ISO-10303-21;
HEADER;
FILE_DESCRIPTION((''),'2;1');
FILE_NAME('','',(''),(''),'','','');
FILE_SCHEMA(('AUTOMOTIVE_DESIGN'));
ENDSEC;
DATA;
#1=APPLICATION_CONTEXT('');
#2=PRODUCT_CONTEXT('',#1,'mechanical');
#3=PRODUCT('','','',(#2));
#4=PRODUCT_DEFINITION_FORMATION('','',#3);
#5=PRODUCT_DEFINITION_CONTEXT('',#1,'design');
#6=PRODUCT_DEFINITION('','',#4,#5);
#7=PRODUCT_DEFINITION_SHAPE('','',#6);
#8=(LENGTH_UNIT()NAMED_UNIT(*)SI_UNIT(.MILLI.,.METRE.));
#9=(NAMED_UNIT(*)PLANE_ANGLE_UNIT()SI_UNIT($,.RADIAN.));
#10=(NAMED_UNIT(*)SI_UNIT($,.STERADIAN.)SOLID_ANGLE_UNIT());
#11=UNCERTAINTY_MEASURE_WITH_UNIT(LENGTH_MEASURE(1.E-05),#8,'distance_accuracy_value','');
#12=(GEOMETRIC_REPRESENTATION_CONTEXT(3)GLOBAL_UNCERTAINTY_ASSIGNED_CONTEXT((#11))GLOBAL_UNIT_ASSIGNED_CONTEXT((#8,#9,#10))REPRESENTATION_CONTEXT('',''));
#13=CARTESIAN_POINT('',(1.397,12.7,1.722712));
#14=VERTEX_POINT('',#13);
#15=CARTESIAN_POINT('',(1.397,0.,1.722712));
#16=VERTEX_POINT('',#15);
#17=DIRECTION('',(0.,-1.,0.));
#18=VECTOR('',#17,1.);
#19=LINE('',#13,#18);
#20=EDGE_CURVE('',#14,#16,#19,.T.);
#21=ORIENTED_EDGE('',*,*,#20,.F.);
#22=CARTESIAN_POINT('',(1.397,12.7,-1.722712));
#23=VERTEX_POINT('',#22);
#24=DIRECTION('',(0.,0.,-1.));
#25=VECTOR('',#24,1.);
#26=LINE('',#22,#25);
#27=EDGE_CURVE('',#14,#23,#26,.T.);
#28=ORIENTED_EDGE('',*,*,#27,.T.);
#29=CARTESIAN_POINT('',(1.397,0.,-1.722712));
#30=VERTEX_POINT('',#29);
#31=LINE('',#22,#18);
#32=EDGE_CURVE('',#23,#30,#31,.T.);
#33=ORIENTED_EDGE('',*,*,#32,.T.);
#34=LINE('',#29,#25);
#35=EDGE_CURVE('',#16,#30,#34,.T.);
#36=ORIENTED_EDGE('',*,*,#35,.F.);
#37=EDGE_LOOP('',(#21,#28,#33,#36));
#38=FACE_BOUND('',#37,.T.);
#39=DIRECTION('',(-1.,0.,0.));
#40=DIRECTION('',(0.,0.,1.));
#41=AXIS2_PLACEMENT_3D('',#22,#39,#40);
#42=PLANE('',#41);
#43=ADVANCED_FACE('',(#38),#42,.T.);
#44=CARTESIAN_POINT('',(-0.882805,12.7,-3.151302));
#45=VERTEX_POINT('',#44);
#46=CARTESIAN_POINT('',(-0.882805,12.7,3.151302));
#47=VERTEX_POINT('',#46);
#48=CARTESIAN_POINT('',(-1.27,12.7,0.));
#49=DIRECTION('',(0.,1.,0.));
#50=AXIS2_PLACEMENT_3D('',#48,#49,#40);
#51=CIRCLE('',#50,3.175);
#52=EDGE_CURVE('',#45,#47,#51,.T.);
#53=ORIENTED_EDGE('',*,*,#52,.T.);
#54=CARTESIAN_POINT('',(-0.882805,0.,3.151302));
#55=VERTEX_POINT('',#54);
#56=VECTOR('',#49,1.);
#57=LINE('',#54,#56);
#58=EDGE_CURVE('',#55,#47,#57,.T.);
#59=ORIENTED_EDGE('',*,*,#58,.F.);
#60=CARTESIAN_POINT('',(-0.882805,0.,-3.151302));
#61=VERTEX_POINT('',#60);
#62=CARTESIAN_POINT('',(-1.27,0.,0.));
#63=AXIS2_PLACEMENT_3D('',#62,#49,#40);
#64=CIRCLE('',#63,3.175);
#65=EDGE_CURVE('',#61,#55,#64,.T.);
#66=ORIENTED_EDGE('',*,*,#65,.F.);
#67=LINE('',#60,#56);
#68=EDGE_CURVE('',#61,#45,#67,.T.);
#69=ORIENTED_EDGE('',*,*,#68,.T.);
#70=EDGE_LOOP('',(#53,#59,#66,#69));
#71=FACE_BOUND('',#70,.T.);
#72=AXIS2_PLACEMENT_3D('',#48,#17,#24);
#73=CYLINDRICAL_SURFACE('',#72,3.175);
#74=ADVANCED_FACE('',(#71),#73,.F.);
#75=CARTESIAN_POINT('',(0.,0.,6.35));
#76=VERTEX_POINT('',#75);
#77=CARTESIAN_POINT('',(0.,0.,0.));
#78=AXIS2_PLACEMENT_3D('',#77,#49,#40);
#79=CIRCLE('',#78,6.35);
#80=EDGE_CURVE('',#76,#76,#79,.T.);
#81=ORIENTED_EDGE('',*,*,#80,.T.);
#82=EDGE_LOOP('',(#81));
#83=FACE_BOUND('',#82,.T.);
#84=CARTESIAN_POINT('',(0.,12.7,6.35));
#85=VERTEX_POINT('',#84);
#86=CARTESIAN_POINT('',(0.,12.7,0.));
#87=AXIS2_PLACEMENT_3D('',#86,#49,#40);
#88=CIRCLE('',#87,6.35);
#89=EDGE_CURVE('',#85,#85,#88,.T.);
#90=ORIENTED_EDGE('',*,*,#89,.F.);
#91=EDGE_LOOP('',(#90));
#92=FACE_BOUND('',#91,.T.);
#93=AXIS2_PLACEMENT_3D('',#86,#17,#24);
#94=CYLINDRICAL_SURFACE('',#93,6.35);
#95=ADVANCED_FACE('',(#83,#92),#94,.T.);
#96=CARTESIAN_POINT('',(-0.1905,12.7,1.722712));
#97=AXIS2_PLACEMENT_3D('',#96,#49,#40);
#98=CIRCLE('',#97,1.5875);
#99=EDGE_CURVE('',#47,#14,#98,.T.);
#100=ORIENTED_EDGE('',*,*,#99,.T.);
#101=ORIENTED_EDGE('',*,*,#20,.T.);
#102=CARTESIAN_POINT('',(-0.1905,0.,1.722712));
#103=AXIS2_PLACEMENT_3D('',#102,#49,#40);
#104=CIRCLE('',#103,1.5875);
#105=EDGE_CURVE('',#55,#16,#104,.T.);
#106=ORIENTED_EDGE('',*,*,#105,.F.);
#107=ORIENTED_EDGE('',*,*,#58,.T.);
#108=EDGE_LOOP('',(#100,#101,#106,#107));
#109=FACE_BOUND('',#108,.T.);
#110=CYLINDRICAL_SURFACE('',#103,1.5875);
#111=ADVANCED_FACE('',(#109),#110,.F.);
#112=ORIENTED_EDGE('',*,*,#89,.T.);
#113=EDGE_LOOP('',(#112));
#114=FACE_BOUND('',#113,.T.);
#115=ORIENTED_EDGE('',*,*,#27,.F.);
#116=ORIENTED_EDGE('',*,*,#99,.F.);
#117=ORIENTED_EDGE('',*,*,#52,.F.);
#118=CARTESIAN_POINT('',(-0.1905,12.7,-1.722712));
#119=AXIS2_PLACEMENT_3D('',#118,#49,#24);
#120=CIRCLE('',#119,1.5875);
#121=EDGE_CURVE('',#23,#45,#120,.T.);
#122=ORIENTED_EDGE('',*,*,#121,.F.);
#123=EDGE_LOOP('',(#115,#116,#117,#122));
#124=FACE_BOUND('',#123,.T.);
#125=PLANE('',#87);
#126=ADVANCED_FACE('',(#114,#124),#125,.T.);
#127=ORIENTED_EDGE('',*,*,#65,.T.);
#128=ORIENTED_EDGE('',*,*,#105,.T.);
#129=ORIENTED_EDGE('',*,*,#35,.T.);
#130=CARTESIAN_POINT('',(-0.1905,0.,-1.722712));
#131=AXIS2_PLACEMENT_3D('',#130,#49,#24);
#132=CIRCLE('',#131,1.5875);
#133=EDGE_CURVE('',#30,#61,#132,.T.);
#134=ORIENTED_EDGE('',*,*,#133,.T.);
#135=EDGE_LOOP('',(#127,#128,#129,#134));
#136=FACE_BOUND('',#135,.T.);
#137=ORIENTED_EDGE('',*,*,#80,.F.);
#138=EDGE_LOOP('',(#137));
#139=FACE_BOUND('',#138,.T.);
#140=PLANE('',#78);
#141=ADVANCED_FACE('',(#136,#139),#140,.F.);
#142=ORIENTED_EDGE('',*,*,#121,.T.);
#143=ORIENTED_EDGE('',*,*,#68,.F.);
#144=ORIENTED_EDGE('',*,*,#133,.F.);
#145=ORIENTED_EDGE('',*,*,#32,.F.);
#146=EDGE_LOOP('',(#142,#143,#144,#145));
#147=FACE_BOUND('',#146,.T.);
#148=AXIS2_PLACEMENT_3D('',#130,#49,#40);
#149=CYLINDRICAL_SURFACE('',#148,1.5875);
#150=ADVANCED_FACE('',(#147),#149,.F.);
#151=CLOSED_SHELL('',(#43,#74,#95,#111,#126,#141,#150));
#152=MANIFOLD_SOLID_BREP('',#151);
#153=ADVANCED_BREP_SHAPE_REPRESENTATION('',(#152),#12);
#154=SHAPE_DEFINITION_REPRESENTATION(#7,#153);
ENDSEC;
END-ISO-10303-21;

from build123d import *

# Parameters (mm, degrees)
SKETCH1_R           = 6.35
BOSS_EXTRUDE1_DEPTH = 12.7
CUT_EXTRUDE1_DEPTH  = 16.554259867


with BuildPart() as part:
    # Sketch1 → Boss-Extrude1 (new body)
    with BuildSketch(Plane(origin=(0, 0, 0), x_dir=(1, 0, 0), z_dir=(0, 1, 0))):
        with Locations(Location((0, 0, 0), (0, 0, 270))):
            Circle(SKETCH1_R)
        with BuildLine():
            Line((1.397, 1.722711816), (1.397, -1.722711816))
            ThreePointArc((1.397, -1.722711816), (-4.445, 0), (1.397, 1.722711816))
        make_face(mode=Mode.SUBTRACT)
    extrude(amount=BOSS_EXTRUDE1_DEPTH)

    # Sketch2 → Cut-Extrude1 (cut, through all)
    with BuildSketch(Plane(origin=(0, 12.7, 0), x_dir=(1, 0, 0), z_dir=(0, 1, 0))):
        with BuildLine():
            Line((-0.882804878, 3.151302102), (-0.882804878, -3.151302102))
            ThreePointArc((-0.882804878, -3.151302102), (0.65244788, -3.06792374), (1.397, -1.722711816))
            Line((1.397, -1.722711816), (1.397, 1.722711816))
            ThreePointArc((1.397, 1.722711816), (0.65244788, 3.06792374), (-0.882804878, 3.151302102))
        make_face()
    extrude(amount=-CUT_EXTRUDE1_DEPTH, mode=Mode.SUBTRACT)


solid = part.part
